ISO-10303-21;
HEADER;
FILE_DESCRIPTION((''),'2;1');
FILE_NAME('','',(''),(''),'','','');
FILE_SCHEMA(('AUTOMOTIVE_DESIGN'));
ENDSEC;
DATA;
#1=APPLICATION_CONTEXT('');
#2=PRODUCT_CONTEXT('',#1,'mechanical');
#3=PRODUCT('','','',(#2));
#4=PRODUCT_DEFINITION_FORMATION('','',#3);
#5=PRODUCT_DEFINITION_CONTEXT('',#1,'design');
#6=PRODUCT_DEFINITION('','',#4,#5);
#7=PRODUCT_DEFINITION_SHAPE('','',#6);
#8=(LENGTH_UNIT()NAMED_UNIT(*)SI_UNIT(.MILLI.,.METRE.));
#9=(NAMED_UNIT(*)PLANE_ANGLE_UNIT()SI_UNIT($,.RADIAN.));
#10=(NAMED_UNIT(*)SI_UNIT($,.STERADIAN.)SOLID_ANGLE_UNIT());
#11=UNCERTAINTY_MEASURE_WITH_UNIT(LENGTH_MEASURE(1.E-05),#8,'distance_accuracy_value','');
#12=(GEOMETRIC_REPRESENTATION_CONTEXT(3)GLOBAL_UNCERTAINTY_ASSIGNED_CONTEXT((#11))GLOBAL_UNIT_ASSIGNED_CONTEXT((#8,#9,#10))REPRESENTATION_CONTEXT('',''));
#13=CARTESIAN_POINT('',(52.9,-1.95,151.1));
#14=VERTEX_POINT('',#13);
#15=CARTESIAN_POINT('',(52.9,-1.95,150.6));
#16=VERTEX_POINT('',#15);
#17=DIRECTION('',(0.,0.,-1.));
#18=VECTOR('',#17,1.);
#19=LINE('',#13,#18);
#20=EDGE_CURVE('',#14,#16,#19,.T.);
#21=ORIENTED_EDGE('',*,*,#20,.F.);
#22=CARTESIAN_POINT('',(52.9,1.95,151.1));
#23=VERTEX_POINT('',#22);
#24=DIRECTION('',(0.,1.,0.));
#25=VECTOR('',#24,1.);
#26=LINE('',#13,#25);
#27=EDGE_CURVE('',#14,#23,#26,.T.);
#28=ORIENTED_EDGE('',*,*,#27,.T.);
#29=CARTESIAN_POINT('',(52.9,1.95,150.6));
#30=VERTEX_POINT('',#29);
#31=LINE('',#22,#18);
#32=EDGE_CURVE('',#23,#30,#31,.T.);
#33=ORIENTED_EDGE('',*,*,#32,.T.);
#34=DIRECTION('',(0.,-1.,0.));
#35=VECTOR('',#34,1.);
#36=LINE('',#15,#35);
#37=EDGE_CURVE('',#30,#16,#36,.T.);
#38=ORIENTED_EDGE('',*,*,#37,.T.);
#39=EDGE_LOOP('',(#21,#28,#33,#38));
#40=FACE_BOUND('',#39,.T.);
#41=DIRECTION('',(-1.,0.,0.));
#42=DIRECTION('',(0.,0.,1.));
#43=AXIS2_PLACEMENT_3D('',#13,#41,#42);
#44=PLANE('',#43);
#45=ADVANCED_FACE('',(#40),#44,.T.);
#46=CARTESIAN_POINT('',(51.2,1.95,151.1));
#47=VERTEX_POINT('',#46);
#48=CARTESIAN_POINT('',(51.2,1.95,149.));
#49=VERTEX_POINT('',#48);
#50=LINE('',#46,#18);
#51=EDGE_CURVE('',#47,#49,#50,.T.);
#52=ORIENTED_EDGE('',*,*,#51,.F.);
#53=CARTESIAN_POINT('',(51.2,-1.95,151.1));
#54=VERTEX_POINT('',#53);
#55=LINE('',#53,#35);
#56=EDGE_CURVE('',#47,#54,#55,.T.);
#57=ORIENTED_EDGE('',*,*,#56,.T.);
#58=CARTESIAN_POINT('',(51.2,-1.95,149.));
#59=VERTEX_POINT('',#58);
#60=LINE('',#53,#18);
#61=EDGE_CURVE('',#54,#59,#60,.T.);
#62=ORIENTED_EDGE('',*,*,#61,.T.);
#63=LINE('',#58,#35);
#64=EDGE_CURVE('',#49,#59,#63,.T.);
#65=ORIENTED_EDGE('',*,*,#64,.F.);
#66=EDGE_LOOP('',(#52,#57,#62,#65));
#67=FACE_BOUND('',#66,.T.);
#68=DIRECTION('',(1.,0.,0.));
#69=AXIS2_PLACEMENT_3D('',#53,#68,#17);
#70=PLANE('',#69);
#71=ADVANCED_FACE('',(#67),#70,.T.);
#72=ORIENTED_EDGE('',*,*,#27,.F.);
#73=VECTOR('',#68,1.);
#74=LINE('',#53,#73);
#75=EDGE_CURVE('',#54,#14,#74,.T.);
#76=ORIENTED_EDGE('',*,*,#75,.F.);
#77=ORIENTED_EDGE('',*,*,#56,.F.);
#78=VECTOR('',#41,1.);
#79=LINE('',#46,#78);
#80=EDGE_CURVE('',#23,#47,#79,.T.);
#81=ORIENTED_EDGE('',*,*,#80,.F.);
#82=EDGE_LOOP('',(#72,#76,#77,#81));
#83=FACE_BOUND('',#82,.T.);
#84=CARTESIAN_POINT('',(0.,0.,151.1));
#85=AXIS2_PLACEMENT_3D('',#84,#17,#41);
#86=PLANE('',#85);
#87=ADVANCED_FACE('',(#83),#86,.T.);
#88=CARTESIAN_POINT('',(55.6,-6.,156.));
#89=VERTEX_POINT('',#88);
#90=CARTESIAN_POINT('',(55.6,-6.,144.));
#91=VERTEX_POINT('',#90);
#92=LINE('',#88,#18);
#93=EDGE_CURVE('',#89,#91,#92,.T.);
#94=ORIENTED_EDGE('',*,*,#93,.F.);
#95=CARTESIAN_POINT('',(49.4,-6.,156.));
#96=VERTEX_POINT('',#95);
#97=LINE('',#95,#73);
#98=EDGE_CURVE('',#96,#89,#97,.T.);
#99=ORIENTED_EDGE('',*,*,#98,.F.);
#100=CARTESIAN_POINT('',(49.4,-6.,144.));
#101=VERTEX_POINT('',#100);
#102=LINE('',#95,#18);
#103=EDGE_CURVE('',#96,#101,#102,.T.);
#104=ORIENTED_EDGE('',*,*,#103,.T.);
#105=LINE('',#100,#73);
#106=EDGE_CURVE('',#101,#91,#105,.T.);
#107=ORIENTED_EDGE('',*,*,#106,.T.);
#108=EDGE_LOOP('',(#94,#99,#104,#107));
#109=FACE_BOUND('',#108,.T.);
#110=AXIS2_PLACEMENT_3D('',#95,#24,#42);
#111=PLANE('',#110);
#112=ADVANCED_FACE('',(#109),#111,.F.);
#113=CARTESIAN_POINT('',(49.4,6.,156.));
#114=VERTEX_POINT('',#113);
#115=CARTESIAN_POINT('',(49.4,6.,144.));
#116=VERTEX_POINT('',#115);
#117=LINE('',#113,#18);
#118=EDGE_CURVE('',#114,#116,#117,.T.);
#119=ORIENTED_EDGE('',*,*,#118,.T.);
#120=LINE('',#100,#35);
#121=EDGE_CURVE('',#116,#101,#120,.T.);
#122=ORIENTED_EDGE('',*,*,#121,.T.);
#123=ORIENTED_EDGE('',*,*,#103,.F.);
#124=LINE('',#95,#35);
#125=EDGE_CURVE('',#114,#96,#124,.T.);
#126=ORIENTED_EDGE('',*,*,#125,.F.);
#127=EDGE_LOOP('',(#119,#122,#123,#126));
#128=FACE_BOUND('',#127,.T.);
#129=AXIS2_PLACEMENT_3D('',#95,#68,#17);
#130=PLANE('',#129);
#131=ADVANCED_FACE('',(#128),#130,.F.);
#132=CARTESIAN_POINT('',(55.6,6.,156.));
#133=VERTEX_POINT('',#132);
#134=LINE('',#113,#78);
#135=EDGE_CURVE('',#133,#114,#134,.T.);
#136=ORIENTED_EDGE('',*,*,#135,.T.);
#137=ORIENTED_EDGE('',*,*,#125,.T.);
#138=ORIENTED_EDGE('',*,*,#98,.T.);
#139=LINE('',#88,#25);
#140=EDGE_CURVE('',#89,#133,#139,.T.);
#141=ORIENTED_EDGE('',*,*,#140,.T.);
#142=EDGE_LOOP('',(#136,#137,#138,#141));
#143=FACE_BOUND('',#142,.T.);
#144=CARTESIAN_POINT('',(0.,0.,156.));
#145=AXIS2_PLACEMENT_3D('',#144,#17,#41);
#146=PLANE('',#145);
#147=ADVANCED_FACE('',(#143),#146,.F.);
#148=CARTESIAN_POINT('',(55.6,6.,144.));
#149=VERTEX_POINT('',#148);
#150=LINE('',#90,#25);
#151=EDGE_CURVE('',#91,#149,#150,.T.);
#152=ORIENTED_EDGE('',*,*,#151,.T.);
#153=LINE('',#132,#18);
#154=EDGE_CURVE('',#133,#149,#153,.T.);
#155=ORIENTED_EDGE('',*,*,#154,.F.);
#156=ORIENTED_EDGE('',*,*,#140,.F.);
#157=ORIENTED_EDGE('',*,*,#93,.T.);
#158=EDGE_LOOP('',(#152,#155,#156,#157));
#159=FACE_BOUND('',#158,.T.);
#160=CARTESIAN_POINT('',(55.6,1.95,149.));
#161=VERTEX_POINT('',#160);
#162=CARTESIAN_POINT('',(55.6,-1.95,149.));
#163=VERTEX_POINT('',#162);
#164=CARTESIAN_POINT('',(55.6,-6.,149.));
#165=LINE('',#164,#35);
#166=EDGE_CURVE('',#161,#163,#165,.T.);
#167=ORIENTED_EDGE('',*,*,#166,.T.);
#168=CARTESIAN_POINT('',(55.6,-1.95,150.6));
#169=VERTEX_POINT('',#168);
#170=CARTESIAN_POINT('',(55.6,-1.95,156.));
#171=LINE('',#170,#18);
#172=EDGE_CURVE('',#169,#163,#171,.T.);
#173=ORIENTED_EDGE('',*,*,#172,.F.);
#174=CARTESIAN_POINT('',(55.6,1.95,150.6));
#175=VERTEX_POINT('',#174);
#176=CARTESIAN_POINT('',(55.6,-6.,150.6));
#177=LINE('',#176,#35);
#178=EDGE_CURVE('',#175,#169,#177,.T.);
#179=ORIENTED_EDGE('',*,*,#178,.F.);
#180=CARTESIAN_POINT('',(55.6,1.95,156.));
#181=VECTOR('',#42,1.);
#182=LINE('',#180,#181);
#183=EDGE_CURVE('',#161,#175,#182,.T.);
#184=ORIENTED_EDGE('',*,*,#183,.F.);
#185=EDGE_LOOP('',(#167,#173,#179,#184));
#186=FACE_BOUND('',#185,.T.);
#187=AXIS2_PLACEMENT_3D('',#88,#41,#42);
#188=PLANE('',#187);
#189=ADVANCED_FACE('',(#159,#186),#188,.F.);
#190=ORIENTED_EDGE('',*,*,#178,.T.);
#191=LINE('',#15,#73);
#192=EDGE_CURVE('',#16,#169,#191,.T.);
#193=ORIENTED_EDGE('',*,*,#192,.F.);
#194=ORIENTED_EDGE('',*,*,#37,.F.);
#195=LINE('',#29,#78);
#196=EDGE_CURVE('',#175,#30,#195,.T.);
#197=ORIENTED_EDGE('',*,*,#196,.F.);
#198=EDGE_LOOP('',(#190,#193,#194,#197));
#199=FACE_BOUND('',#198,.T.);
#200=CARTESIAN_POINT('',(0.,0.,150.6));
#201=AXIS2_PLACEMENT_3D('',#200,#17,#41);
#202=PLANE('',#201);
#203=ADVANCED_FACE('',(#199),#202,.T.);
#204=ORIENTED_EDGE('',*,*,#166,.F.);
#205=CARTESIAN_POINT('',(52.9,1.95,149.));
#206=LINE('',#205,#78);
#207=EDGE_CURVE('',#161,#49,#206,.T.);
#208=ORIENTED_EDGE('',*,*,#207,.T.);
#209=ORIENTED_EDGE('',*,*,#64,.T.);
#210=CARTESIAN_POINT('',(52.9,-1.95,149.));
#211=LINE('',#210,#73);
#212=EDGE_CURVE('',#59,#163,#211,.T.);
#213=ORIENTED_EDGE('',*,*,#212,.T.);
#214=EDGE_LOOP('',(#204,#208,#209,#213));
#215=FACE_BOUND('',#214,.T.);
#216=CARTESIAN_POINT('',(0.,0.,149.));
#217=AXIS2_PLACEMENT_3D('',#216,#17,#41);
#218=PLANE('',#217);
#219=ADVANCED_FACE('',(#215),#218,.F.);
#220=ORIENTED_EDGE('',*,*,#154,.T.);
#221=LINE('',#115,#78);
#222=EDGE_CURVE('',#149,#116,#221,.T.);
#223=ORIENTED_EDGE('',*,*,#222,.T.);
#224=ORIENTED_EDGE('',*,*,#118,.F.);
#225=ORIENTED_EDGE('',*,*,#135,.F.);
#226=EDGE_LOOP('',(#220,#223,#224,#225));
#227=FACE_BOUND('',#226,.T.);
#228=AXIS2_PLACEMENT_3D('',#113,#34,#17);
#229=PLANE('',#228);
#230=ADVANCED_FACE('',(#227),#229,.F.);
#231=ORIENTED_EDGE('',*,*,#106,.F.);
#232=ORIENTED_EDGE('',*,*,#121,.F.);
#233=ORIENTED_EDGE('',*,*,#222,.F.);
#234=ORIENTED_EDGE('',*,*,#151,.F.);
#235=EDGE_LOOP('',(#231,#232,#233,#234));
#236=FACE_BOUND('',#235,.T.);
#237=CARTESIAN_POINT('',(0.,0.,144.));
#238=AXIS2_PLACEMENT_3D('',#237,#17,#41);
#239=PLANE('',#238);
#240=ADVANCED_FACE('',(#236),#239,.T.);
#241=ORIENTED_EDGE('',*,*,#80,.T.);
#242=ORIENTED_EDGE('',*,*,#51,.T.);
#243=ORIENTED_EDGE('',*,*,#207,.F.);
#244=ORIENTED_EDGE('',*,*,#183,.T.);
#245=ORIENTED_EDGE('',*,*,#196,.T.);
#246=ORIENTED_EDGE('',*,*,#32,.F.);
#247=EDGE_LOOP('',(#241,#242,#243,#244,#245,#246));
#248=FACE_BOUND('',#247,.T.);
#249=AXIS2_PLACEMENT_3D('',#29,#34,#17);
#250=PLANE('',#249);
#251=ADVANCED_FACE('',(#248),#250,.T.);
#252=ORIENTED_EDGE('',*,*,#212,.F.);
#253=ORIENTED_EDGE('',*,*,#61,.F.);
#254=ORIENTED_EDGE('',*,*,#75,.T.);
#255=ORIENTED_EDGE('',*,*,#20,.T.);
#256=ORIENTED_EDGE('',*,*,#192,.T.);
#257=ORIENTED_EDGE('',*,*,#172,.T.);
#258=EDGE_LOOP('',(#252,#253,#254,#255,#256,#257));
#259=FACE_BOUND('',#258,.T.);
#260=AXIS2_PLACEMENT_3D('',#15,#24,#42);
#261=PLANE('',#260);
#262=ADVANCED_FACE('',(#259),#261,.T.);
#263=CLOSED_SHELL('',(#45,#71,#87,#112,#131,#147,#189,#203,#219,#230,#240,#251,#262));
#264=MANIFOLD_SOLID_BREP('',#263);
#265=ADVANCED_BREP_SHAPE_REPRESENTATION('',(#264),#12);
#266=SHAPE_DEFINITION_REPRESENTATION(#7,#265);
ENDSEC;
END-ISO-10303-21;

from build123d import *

# Parameters (mm, degrees)
BOSS_EXTRUDE1_START = 144
SKETCH1_W           = 6.2
SKETCH1_H           = 12
BOSS_EXTRUDE1_DEPTH = 12
BOSS_EXTRUDE2_START = 149
SKETCH2_W           = 2.8
SKETCH2_H           = 3.9
BOSS_EXTRUDE2_DEPTH = 1.6
BOSS_EXTRUDE3_START = 149
SKETCH3_W           = 1.7
SKETCH3_H           = 3.9
BOSS_EXTRUDE3_DEPTH = 2.1


with BuildPart() as part:
    # Sketch1 → Boss-Extrude1 (new body)
    with BuildSketch(Plane.XY.offset(BOSS_EXTRUDE1_START)):
        with Locations((52.5, 0)):
            Rectangle(SKETCH1_W, SKETCH1_H)
    extrude(amount=BOSS_EXTRUDE1_DEPTH)


with BuildPart() as body_2:
    # Sketch2 → Boss-Extrude2 (new body)
    with BuildSketch(Plane.XY.offset(BOSS_EXTRUDE2_START)):
        with Locations((54.3, 0)):
            Rectangle(SKETCH2_W, SKETCH2_H)
    extrude(amount=BOSS_EXTRUDE2_DEPTH)


with BuildPart() as part_1:
    add(part.part)

    # Combine1: cut body 2
    add(body_2.part, mode=Mode.SUBTRACT)


with BuildPart() as body_2_2:
    # Sketch3 → Boss-Extrude3 (new body)
    with BuildSketch(Plane.XY.offset(BOSS_EXTRUDE3_START)):
        with Locations((52.05, 0)):
            Rectangle(SKETCH3_W, SKETCH3_H)
    extrude(amount=BOSS_EXTRUDE3_DEPTH)


with BuildPart() as part_2:
    add(part_1.part)

    # Combine2: cut body 2 2
    add(body_2_2.part, mode=Mode.SUBTRACT)


solid = part_2.part
